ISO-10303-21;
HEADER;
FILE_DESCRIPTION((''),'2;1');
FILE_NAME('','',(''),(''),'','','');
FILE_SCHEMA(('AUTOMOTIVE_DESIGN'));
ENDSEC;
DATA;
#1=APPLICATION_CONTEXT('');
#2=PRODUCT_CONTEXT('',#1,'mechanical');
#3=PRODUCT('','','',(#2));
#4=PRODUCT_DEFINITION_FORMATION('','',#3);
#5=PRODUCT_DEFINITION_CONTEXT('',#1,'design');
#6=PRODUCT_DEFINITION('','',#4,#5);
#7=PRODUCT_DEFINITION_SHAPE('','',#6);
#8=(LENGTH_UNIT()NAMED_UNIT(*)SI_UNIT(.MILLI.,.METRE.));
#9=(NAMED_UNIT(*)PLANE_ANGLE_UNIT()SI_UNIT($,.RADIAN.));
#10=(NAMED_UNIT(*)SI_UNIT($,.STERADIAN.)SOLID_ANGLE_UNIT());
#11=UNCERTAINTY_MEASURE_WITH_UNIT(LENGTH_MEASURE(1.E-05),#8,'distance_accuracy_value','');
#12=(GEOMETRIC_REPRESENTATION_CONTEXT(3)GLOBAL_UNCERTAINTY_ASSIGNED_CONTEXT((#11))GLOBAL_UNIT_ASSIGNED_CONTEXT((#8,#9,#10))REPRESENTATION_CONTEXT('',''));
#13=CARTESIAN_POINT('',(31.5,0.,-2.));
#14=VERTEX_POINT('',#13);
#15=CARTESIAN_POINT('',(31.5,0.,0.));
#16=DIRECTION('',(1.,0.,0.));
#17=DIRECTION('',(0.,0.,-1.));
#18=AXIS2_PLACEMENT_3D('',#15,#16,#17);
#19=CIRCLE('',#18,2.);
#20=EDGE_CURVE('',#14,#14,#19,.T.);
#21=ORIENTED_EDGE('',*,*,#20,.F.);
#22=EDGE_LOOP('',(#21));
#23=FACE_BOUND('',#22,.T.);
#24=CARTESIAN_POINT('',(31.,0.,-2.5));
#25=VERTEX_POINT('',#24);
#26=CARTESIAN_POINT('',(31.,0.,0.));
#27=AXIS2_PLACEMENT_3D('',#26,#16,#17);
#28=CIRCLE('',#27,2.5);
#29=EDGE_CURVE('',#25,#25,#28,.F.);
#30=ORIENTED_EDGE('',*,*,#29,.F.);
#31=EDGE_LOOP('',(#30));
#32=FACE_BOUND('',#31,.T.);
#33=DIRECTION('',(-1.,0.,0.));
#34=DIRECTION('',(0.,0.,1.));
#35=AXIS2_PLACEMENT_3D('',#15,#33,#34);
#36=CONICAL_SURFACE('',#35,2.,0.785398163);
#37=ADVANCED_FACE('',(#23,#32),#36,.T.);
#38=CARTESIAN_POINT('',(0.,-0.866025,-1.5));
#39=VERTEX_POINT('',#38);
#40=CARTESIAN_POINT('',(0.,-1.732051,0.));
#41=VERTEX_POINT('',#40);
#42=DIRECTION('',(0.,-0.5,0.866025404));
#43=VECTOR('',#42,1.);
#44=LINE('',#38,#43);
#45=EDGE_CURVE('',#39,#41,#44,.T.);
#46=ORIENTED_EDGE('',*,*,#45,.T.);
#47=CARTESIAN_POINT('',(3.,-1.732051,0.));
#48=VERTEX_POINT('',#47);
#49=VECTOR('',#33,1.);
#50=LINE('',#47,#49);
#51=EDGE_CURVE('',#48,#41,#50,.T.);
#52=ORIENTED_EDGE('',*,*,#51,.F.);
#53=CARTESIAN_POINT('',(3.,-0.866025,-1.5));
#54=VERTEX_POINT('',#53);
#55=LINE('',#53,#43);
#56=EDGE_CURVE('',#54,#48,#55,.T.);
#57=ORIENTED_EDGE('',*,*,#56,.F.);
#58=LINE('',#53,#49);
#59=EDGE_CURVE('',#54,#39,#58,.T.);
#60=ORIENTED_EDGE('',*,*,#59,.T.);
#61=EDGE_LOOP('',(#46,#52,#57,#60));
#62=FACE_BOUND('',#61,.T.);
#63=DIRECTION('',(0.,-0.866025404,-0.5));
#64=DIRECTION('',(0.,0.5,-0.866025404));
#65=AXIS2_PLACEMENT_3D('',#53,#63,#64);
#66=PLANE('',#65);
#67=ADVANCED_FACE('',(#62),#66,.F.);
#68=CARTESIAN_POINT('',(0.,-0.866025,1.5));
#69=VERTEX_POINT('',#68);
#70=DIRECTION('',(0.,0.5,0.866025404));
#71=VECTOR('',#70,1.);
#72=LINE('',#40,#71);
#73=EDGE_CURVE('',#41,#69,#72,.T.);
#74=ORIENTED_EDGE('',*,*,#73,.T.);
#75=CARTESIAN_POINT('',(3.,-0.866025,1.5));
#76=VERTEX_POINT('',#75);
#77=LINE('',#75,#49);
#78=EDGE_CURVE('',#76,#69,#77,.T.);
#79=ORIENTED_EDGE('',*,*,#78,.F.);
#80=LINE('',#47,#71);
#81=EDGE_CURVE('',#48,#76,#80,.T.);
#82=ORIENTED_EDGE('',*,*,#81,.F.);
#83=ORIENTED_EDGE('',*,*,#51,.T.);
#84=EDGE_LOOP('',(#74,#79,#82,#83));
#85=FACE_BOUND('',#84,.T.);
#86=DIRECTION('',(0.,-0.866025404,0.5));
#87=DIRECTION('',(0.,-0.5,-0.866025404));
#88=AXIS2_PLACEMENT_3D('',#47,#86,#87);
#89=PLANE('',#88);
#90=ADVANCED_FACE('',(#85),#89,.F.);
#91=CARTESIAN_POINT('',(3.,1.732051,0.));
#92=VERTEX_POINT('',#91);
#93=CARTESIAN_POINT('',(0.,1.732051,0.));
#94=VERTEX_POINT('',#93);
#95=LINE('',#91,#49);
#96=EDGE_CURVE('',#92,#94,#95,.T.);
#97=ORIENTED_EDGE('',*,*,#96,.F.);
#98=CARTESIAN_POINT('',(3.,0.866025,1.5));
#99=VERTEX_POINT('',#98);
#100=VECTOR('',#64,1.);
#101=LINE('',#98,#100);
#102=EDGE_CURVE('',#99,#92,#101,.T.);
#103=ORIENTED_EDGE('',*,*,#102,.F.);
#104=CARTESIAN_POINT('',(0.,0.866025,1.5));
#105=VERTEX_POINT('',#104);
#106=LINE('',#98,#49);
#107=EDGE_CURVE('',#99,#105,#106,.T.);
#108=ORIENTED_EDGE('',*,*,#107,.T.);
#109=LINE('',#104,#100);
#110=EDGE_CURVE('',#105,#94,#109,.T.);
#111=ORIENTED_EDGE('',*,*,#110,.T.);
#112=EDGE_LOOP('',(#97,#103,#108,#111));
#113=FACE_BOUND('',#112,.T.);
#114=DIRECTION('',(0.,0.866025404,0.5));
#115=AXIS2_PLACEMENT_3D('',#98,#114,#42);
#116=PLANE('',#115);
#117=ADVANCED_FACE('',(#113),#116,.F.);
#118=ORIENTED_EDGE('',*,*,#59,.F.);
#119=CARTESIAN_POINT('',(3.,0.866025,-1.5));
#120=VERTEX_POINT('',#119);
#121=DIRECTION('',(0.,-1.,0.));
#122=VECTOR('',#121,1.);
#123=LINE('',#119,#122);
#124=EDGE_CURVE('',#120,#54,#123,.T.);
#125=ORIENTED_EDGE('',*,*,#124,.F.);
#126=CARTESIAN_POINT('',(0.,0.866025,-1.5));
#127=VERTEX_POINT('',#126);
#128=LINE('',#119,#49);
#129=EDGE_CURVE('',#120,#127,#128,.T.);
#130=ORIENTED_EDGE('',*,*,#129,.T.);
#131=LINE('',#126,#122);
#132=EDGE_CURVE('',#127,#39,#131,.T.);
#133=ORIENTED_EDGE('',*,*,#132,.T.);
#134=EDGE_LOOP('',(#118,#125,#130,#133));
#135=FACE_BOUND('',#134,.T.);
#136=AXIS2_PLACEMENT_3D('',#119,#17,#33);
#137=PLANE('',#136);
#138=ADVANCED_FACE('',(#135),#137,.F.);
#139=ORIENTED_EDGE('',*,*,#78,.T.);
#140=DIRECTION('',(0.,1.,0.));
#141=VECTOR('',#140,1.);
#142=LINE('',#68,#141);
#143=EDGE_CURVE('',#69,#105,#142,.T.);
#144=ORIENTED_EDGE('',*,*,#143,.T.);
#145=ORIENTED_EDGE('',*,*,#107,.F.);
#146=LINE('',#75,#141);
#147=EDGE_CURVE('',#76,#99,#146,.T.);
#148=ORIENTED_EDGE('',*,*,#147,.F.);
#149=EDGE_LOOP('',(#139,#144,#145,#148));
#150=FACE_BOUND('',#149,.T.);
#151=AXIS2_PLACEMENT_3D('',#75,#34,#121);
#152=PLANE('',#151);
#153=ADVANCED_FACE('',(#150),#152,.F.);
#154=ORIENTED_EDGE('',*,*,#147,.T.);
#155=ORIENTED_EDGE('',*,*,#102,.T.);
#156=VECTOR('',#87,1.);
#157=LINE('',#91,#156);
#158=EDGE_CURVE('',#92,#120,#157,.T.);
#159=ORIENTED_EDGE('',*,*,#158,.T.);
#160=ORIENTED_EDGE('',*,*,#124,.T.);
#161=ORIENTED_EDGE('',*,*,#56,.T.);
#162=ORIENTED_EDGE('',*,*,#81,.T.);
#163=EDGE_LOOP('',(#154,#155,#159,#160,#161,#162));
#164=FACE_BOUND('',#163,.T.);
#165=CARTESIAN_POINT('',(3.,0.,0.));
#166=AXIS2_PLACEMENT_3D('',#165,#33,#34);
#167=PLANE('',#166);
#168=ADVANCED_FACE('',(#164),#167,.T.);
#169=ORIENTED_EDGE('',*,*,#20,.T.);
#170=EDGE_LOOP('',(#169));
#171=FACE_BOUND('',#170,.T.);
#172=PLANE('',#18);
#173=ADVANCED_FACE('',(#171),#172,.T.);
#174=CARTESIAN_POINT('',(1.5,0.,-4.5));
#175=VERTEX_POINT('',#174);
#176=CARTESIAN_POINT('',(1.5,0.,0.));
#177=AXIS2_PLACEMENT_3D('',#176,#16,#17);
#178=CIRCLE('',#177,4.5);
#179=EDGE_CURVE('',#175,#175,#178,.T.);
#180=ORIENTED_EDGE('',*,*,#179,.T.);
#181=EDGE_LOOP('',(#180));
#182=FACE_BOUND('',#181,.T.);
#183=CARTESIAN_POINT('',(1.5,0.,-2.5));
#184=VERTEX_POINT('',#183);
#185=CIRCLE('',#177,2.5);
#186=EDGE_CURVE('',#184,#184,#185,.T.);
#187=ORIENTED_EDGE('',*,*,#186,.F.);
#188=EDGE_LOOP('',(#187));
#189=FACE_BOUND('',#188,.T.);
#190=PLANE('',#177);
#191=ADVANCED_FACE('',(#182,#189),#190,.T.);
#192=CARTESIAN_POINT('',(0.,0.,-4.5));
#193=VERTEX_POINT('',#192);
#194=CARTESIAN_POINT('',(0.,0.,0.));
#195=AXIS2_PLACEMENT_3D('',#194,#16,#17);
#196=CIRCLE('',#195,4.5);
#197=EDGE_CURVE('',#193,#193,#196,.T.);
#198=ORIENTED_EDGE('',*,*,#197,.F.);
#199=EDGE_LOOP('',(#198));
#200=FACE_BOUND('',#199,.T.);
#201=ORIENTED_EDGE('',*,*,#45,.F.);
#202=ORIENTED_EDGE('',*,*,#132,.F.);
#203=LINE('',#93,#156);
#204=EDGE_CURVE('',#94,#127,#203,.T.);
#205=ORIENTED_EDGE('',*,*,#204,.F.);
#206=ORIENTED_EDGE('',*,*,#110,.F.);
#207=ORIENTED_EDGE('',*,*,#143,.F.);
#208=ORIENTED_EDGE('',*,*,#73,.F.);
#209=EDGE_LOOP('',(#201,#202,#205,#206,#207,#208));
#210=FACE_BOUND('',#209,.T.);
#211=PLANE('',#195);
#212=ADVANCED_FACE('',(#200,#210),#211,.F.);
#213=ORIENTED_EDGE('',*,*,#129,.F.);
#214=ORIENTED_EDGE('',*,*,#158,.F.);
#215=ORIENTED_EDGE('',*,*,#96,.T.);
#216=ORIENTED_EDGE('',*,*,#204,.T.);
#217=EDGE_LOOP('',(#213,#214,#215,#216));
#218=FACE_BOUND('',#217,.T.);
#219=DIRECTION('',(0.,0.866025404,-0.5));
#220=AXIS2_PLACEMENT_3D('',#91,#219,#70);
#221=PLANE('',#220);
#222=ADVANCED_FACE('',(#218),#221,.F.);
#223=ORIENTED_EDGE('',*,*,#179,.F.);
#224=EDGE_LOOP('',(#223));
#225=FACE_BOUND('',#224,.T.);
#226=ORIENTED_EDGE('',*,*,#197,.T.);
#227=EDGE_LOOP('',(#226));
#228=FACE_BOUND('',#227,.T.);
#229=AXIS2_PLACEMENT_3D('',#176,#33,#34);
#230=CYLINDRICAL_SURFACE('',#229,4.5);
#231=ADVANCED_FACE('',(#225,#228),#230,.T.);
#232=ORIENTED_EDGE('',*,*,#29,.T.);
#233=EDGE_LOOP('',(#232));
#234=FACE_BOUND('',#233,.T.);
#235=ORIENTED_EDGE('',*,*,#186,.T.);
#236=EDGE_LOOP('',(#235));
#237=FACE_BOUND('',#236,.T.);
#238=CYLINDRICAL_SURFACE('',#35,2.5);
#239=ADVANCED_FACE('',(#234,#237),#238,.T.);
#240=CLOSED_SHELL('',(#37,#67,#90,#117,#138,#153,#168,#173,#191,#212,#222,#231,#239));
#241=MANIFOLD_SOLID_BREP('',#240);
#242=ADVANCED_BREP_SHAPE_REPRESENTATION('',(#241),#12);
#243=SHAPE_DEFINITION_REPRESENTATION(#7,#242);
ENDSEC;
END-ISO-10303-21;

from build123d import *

# Parameters (mm, degrees)
SKETCH1_R     = 4.5
HEAD_DEPTH    = 1.5
SKETCH2_R     = 2.5
BODY_DEPTH    = 30
DRIVE_DEPTH   = 3
CHAMFER1_SIZE = 0.5


with BuildPart() as part:
    # Sketch1 → Head (new body)
    with BuildSketch(Plane(origin=(0, 0, 0), x_dir=(0, 0, -1), z_dir=(1, 0, 0))):
        Circle(SKETCH1_R)
    extrude(amount=HEAD_DEPTH)

    # Sketch2 → Body (add)
    with BuildSketch(Plane(origin=(1.5, 0, 0), x_dir=(0, 0, -1), z_dir=(1, 0, 0))):
        Circle(SKETCH2_R)
    extrude(amount=BODY_DEPTH)

    # Sketch3 → Drive (cut)
    with BuildSketch(Plane.ZY):
        Polygon((0, 1.732050808), (-1.5, 0.866025404), (-1.5, -0.866025404), (0, -1.732050808), (1.5, -0.866025404), (1.5, 0.866025404), align=None)
    extrude(amount=-DRIVE_DEPTH, mode=Mode.SUBTRACT)

    # Chamfer1
    chamfer1_edges = [part.edges().sort_by_distance(p)[0] for p in [
        (31.5, 0, 2.5),
    ]]
    chamfer(chamfer1_edges, length=CHAMFER1_SIZE)


solid = part.part
